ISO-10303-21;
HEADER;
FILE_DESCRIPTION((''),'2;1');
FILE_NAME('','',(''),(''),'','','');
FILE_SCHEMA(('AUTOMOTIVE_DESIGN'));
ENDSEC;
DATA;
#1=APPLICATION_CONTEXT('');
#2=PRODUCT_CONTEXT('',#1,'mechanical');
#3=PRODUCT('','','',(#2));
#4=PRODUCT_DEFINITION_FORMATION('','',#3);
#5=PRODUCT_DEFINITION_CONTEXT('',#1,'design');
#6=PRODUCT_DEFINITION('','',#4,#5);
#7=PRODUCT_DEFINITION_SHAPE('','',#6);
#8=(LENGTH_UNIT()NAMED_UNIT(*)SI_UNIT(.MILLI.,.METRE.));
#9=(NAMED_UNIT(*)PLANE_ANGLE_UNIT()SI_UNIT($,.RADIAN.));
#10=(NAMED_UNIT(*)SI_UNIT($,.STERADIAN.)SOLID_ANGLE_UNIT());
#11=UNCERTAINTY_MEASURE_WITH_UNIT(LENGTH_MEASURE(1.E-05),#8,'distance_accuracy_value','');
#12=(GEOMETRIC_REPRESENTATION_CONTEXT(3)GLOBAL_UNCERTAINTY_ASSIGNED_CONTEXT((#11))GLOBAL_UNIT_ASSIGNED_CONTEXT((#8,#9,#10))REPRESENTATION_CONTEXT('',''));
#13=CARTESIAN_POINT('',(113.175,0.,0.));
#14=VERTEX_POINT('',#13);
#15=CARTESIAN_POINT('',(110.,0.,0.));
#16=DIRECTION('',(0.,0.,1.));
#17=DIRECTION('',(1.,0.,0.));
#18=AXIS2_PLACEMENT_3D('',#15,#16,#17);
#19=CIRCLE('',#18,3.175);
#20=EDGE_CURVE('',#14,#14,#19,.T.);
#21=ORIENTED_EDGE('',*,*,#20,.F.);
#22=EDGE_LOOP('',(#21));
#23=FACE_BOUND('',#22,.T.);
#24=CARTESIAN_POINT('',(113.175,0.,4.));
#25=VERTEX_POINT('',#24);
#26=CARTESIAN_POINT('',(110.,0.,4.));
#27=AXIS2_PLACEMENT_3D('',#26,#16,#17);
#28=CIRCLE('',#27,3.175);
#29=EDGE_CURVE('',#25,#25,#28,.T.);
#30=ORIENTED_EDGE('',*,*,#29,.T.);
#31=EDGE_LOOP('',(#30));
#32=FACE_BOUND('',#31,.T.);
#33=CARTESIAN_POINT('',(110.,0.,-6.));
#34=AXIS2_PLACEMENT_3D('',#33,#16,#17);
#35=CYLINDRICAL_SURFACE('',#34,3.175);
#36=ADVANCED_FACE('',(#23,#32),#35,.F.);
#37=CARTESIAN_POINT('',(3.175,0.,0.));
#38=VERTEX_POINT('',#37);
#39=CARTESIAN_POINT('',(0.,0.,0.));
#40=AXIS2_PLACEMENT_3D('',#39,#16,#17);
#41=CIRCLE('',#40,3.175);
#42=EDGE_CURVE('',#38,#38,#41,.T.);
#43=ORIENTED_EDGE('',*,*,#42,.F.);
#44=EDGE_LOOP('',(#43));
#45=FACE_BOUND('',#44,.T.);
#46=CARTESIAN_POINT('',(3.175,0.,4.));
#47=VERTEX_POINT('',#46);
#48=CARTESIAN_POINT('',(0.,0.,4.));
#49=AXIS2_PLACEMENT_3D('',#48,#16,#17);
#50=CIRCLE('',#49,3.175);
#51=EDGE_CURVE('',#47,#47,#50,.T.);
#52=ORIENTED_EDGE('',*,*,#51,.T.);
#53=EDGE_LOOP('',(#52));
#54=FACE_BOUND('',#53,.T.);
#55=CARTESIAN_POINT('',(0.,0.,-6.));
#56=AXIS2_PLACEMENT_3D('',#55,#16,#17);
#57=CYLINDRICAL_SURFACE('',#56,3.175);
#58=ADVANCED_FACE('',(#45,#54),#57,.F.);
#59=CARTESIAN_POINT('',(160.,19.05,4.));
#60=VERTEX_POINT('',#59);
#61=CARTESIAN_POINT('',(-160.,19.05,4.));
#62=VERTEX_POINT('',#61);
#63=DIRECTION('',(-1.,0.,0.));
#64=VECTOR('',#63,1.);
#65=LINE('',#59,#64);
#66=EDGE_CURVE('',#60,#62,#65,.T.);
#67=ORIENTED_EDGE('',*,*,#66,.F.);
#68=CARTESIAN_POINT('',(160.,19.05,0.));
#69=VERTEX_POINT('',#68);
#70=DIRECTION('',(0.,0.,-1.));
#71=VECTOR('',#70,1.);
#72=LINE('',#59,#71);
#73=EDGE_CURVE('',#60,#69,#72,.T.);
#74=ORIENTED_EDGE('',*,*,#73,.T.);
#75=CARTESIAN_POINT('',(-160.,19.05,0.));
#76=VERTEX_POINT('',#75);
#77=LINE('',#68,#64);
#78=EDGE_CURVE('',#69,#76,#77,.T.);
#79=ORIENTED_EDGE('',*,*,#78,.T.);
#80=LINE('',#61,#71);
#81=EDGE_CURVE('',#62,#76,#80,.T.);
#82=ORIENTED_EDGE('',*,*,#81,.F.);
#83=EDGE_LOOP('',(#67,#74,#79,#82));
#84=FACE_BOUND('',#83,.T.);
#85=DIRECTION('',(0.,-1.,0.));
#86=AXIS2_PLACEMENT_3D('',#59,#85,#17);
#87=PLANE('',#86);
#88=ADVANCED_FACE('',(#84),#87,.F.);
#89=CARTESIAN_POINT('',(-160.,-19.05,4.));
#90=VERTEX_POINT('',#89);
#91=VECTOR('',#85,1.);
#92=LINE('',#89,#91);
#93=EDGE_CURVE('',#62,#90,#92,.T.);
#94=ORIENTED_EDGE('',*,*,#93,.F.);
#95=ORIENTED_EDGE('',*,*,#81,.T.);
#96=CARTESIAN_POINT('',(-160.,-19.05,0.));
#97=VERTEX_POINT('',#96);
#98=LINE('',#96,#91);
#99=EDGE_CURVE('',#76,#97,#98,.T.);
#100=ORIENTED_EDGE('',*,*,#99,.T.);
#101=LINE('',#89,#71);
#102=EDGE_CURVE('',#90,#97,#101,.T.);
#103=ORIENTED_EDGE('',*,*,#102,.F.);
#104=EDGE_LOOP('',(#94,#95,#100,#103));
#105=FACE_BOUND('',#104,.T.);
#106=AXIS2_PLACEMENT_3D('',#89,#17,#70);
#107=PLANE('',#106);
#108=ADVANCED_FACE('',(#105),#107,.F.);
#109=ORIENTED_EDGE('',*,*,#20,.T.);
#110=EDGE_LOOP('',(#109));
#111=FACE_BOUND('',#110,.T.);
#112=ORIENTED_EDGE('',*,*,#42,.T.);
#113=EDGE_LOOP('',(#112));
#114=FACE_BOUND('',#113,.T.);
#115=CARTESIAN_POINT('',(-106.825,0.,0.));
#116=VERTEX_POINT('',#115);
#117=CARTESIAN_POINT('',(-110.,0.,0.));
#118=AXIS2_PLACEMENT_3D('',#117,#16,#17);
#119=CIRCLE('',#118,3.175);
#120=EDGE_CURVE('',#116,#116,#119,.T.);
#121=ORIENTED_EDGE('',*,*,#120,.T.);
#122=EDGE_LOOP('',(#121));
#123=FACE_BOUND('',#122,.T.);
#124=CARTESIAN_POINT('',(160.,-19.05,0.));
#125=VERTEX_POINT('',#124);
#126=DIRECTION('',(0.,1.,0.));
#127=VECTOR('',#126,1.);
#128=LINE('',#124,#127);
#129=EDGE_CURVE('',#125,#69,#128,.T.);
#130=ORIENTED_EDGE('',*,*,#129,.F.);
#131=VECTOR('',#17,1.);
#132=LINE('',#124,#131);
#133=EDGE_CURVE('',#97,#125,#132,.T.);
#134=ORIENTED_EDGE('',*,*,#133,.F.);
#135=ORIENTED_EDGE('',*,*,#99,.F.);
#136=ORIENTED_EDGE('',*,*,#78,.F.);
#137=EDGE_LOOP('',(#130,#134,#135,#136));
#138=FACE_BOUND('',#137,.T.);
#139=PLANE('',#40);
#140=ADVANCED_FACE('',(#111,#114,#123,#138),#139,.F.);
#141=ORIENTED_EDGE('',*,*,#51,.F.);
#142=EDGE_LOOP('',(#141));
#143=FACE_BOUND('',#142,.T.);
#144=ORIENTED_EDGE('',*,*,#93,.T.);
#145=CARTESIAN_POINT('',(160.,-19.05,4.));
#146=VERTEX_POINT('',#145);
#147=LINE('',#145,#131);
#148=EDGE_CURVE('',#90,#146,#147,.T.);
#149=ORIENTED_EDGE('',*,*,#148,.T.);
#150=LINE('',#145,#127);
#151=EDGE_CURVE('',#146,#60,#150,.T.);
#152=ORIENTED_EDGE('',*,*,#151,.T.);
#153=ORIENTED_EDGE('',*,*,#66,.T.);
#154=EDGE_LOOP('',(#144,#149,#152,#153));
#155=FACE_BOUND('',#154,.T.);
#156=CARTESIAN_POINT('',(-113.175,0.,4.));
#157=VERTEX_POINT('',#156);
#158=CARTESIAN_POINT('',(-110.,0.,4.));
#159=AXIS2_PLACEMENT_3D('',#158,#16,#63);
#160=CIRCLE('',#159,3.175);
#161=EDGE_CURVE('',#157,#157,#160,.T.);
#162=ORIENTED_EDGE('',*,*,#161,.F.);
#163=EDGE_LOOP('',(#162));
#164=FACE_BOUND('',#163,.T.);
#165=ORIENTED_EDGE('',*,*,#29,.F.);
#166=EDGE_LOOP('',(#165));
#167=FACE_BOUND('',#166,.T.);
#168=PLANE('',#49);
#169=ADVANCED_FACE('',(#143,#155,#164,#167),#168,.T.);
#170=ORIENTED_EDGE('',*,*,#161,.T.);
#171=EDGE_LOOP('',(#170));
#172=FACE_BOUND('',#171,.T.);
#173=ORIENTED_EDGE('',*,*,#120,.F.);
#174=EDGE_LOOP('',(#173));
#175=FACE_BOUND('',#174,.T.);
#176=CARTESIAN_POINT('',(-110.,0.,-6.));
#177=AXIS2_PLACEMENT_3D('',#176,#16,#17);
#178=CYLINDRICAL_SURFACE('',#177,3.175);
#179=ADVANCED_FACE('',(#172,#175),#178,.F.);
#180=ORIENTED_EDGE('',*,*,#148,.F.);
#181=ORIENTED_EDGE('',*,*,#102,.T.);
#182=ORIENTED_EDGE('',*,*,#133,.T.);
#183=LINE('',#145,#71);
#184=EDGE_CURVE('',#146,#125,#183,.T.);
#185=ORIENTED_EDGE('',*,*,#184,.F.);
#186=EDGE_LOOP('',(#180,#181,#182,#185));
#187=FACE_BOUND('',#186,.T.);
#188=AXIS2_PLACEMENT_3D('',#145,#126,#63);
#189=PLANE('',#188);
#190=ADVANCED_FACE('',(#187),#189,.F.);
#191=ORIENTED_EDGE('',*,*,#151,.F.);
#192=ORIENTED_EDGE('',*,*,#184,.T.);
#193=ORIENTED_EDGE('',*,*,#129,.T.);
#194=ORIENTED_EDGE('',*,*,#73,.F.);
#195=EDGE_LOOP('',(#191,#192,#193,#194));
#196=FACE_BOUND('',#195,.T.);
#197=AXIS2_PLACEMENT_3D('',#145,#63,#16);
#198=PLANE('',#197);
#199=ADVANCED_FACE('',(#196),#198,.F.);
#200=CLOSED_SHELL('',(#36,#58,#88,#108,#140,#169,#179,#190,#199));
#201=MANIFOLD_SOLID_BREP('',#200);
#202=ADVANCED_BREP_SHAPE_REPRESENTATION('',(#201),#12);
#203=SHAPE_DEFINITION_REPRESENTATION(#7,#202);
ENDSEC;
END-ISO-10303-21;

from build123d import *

# Parameters (mm, degrees)
CROQUIS1_W              = 320
CROQUIS1_H              = 38.1
SALIENTE_EXTRUIR1_DEPTH = 4
CROQUIS2_R              = 3.175
CORTAR_EXTRUIR1_DEPTH   = 10


with BuildPart() as part:
    # Croquis1 → Saliente-Extruir1 (new body)
    with BuildSketch(Plane.XY):
        Rectangle(CROQUIS1_W, CROQUIS1_H)
    extrude(amount=SALIENTE_EXTRUIR1_DEPTH)

    # Croquis2 → Cortar-Extruir1 (cut)
    with BuildSketch(Plane.XY.offset(4)):
        with Locations((110, 0)):
            Circle(CROQUIS2_R)
        Circle(CROQUIS2_R)
        with Locations((-110, 0)):
            Circle(CROQUIS2_R)
    extrude(amount=-CORTAR_EXTRUIR1_DEPTH, mode=Mode.SUBTRACT)


solid = part.part
